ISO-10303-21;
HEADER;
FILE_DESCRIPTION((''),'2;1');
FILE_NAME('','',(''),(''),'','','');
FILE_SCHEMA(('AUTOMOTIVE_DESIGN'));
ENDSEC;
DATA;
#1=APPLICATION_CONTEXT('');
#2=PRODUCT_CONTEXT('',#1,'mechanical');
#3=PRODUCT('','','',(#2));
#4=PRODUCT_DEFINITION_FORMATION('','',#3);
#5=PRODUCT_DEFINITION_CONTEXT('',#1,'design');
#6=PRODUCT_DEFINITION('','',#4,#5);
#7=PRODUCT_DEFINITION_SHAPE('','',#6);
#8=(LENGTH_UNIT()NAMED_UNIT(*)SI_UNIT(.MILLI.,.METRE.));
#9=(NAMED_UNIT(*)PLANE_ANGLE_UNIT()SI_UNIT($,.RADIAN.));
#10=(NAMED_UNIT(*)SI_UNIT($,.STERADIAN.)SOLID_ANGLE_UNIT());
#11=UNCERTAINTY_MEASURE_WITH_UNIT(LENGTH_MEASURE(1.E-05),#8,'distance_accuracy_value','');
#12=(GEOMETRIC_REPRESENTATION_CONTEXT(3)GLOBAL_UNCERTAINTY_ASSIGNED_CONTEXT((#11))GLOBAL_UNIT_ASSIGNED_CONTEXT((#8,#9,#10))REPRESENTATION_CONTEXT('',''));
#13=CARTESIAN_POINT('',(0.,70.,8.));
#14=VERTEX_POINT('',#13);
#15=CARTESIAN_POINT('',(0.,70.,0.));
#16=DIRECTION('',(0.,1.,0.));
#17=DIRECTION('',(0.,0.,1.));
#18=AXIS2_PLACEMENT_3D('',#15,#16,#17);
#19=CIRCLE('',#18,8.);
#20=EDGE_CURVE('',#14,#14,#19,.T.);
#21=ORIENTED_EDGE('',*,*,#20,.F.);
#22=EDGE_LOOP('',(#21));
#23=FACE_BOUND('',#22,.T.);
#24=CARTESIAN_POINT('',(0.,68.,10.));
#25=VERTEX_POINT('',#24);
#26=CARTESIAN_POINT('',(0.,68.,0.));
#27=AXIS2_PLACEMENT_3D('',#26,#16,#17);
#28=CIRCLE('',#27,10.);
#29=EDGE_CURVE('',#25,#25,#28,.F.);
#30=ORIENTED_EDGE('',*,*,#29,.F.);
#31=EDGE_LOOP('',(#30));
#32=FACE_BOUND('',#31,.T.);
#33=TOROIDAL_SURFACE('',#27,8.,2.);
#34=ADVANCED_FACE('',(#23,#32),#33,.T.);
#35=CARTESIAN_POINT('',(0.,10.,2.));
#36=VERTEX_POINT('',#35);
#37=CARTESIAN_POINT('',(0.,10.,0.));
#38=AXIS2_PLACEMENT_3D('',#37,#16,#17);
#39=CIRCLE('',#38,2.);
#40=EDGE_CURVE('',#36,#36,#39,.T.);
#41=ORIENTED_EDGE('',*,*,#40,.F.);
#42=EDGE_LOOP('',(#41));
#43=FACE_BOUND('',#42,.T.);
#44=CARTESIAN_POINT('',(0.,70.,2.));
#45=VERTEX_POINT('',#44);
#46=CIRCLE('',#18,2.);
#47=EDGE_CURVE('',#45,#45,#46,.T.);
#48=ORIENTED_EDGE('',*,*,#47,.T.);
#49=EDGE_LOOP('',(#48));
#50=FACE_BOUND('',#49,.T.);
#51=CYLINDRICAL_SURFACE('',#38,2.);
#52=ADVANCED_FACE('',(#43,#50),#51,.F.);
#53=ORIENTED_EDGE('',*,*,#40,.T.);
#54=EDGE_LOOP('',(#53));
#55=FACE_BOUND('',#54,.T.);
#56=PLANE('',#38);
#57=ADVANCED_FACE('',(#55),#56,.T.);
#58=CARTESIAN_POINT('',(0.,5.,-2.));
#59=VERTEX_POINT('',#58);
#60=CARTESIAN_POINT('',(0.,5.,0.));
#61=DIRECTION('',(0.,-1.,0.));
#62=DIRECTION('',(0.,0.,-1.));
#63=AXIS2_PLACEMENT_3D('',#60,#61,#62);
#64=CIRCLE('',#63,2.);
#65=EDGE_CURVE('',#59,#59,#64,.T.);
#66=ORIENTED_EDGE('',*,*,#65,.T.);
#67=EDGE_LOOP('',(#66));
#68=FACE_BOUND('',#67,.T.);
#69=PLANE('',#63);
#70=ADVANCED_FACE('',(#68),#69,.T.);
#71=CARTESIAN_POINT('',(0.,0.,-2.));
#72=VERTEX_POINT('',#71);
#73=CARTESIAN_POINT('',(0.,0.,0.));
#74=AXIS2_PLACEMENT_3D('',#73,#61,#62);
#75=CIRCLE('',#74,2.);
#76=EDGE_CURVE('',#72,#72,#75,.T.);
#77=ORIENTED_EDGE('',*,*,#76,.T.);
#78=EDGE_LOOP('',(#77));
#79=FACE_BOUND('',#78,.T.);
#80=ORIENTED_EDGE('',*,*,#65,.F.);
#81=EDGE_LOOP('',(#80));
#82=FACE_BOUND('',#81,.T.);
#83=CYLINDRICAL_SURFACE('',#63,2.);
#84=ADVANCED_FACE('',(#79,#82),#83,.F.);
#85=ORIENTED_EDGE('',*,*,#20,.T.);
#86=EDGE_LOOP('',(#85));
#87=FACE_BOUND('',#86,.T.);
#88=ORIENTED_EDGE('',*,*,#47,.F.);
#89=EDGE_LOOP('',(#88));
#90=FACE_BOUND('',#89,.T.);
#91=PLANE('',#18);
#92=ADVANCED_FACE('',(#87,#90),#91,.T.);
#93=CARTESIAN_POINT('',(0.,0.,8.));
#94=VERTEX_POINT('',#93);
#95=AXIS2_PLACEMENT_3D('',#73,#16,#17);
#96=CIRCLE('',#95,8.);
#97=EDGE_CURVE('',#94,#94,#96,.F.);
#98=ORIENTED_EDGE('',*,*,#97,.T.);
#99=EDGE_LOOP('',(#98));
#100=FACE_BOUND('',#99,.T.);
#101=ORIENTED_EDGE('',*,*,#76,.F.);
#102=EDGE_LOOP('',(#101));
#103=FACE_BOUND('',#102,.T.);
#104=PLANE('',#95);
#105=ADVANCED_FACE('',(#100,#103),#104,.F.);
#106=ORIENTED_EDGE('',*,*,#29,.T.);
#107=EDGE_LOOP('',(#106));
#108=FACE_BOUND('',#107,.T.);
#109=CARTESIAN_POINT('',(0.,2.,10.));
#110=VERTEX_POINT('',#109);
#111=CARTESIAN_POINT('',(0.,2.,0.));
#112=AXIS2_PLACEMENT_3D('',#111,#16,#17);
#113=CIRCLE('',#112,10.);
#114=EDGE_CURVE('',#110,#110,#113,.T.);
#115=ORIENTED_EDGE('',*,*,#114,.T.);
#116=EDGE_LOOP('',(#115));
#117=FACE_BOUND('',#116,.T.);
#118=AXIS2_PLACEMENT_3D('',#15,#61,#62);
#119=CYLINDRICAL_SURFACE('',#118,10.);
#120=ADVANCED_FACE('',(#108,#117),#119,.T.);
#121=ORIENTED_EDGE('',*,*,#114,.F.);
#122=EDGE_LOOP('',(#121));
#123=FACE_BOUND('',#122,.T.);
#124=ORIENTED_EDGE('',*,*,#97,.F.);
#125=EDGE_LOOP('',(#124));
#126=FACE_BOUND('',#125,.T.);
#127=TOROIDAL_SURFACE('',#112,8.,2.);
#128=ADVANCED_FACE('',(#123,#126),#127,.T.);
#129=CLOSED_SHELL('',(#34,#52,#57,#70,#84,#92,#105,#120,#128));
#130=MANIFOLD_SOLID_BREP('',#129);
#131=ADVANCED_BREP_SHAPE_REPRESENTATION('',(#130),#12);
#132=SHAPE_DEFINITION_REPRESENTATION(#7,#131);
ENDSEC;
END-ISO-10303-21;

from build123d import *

# Parameters (mm, degrees)
SKETCH1_R           = 10
BOSS_EXTRUDE1_DEPTH = 70
SKETCH2_R           = 2
CUT_EXTRUDE1_DEPTH  = 60
FILLET1_R           = 2
CUT_EXTRUDE2_START  = -5
SKETCH4_R           = 2
CUT_EXTRUDE2_DEPTH  = 5


with BuildPart() as part:
    # Sketch1 → Boss-Extrude1 (new body)
    with BuildSketch(Plane(origin=(0, 0, 0), x_dir=(1, 0, 0), z_dir=(0, 1, 0))):
        with Locations(Location((0, 0, 0), (0, 0, 270))):
            Circle(SKETCH1_R)
    extrude(amount=BOSS_EXTRUDE1_DEPTH)

    # Sketch2 → Cut-Extrude1 (cut)
    with BuildSketch(Plane(origin=(0, 70, 0), x_dir=(1, 0, 0), z_dir=(0, 1, 0))):
        with Locations(Location((0, 0, 0), (0, 0, 270))):
            Circle(SKETCH2_R)
    extrude(amount=-CUT_EXTRUDE1_DEPTH, mode=Mode.SUBTRACT)

    # Fillet1
    fillet1_edges = [part.edges().sort_by_distance(p)[0] for p in [
        (0, 0, -10),
        (0, 70, -10),
    ]]
    fillet(fillet1_edges, radius=FILLET1_R)

    # Sketch4 → Cut-Extrude2 (cut)
    with BuildSketch(Plane.XZ.offset(CUT_EXTRUDE2_START)):
        with Locations(Location((0, 0, 0), (0, 0, 90))):
            Circle(SKETCH4_R)
    extrude(amount=CUT_EXTRUDE2_DEPTH, mode=Mode.SUBTRACT)


solid = part.part
